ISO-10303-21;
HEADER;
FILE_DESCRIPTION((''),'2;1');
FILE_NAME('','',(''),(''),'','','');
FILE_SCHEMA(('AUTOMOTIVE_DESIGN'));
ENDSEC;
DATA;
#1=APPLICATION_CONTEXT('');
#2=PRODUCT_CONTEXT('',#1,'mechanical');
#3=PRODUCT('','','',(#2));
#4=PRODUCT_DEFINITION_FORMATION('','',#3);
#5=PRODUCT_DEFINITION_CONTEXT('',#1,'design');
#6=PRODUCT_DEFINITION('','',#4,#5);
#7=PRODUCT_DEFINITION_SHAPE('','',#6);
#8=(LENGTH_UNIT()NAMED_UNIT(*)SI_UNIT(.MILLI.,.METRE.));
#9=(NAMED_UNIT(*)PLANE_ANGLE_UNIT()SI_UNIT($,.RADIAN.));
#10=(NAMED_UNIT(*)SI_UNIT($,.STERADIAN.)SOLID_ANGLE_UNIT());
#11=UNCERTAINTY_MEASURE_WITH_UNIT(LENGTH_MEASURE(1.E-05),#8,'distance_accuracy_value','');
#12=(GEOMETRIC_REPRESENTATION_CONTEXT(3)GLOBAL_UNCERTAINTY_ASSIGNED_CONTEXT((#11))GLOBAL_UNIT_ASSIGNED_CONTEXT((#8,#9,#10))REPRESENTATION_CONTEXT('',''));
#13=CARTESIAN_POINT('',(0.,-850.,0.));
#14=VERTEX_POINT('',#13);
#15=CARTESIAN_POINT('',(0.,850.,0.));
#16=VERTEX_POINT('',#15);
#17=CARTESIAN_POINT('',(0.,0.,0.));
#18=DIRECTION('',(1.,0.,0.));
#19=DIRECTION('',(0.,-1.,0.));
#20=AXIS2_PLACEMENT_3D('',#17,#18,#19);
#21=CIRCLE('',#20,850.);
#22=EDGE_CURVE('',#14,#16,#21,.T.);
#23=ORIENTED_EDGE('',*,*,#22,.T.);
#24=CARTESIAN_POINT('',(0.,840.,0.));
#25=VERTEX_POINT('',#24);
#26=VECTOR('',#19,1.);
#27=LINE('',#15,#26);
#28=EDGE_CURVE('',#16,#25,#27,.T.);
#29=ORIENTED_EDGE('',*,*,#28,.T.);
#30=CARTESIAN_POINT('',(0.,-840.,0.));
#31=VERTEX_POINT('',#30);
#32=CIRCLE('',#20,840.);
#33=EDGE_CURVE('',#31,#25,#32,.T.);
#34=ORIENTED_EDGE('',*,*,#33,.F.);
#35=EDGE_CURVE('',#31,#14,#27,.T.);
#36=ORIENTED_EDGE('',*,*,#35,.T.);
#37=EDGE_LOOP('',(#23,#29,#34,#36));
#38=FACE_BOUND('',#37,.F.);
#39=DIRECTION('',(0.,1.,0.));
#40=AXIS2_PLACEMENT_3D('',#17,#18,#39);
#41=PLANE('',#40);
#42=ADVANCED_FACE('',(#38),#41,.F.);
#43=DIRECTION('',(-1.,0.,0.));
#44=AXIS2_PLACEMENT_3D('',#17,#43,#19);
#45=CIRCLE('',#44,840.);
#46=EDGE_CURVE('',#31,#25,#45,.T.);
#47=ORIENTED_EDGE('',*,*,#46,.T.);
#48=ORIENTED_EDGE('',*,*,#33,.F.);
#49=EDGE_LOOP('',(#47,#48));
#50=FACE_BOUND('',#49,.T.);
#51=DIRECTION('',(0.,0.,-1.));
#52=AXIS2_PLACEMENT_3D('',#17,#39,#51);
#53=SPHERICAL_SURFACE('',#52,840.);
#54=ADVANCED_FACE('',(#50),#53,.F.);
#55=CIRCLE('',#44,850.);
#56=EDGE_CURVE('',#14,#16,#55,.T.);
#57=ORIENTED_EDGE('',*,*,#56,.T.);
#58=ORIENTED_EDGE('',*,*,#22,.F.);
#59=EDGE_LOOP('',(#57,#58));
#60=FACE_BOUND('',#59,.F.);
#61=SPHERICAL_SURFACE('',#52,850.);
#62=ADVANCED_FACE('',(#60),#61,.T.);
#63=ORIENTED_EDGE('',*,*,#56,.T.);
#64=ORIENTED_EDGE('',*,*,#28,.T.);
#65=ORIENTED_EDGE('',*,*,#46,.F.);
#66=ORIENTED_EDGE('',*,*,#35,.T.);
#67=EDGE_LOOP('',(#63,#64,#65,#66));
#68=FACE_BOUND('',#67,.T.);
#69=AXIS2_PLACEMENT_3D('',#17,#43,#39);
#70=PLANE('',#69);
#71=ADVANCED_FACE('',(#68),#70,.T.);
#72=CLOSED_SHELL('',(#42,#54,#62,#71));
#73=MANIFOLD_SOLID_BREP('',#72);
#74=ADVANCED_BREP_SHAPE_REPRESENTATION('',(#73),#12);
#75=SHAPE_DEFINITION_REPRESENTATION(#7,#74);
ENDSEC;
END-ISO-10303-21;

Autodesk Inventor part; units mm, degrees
ref_plane "YZ Plane" through (0, 0, 0) normal (1, 0, 0) x (0, 1, 0)
ref_plane "XZ Plane" through (0, 0, 0) normal (0, 1, 0) x (-1, 0, 0)
ref_plane "XY Plane" through (0, 0, 0) normal (0, 0, 1) x (1, 0, 0)
sketch "Sketch1" plane through (0, 0, 0) normal (1, 0, 0) x (0, 1, 0)
  arc A0 (-850, 0) -> (850, 0) centre (0, 0) ccw
  line L0 (850, 0) -> (-850, 0)
  arc A1 (-840, 0) -> (840, 0) centre (0, 0) ccw
  line L1 (-1190, 0) -> (1190, 0) projected
  dimension "d0" = 1700
  dimension "d1" = 840
revolve "Revolution1" add sketch "Sketch1" angle 180 about axis through (0, -10, 0) along (0, -1, 0) contours L0 A1 A0
properties part number "Covering"
